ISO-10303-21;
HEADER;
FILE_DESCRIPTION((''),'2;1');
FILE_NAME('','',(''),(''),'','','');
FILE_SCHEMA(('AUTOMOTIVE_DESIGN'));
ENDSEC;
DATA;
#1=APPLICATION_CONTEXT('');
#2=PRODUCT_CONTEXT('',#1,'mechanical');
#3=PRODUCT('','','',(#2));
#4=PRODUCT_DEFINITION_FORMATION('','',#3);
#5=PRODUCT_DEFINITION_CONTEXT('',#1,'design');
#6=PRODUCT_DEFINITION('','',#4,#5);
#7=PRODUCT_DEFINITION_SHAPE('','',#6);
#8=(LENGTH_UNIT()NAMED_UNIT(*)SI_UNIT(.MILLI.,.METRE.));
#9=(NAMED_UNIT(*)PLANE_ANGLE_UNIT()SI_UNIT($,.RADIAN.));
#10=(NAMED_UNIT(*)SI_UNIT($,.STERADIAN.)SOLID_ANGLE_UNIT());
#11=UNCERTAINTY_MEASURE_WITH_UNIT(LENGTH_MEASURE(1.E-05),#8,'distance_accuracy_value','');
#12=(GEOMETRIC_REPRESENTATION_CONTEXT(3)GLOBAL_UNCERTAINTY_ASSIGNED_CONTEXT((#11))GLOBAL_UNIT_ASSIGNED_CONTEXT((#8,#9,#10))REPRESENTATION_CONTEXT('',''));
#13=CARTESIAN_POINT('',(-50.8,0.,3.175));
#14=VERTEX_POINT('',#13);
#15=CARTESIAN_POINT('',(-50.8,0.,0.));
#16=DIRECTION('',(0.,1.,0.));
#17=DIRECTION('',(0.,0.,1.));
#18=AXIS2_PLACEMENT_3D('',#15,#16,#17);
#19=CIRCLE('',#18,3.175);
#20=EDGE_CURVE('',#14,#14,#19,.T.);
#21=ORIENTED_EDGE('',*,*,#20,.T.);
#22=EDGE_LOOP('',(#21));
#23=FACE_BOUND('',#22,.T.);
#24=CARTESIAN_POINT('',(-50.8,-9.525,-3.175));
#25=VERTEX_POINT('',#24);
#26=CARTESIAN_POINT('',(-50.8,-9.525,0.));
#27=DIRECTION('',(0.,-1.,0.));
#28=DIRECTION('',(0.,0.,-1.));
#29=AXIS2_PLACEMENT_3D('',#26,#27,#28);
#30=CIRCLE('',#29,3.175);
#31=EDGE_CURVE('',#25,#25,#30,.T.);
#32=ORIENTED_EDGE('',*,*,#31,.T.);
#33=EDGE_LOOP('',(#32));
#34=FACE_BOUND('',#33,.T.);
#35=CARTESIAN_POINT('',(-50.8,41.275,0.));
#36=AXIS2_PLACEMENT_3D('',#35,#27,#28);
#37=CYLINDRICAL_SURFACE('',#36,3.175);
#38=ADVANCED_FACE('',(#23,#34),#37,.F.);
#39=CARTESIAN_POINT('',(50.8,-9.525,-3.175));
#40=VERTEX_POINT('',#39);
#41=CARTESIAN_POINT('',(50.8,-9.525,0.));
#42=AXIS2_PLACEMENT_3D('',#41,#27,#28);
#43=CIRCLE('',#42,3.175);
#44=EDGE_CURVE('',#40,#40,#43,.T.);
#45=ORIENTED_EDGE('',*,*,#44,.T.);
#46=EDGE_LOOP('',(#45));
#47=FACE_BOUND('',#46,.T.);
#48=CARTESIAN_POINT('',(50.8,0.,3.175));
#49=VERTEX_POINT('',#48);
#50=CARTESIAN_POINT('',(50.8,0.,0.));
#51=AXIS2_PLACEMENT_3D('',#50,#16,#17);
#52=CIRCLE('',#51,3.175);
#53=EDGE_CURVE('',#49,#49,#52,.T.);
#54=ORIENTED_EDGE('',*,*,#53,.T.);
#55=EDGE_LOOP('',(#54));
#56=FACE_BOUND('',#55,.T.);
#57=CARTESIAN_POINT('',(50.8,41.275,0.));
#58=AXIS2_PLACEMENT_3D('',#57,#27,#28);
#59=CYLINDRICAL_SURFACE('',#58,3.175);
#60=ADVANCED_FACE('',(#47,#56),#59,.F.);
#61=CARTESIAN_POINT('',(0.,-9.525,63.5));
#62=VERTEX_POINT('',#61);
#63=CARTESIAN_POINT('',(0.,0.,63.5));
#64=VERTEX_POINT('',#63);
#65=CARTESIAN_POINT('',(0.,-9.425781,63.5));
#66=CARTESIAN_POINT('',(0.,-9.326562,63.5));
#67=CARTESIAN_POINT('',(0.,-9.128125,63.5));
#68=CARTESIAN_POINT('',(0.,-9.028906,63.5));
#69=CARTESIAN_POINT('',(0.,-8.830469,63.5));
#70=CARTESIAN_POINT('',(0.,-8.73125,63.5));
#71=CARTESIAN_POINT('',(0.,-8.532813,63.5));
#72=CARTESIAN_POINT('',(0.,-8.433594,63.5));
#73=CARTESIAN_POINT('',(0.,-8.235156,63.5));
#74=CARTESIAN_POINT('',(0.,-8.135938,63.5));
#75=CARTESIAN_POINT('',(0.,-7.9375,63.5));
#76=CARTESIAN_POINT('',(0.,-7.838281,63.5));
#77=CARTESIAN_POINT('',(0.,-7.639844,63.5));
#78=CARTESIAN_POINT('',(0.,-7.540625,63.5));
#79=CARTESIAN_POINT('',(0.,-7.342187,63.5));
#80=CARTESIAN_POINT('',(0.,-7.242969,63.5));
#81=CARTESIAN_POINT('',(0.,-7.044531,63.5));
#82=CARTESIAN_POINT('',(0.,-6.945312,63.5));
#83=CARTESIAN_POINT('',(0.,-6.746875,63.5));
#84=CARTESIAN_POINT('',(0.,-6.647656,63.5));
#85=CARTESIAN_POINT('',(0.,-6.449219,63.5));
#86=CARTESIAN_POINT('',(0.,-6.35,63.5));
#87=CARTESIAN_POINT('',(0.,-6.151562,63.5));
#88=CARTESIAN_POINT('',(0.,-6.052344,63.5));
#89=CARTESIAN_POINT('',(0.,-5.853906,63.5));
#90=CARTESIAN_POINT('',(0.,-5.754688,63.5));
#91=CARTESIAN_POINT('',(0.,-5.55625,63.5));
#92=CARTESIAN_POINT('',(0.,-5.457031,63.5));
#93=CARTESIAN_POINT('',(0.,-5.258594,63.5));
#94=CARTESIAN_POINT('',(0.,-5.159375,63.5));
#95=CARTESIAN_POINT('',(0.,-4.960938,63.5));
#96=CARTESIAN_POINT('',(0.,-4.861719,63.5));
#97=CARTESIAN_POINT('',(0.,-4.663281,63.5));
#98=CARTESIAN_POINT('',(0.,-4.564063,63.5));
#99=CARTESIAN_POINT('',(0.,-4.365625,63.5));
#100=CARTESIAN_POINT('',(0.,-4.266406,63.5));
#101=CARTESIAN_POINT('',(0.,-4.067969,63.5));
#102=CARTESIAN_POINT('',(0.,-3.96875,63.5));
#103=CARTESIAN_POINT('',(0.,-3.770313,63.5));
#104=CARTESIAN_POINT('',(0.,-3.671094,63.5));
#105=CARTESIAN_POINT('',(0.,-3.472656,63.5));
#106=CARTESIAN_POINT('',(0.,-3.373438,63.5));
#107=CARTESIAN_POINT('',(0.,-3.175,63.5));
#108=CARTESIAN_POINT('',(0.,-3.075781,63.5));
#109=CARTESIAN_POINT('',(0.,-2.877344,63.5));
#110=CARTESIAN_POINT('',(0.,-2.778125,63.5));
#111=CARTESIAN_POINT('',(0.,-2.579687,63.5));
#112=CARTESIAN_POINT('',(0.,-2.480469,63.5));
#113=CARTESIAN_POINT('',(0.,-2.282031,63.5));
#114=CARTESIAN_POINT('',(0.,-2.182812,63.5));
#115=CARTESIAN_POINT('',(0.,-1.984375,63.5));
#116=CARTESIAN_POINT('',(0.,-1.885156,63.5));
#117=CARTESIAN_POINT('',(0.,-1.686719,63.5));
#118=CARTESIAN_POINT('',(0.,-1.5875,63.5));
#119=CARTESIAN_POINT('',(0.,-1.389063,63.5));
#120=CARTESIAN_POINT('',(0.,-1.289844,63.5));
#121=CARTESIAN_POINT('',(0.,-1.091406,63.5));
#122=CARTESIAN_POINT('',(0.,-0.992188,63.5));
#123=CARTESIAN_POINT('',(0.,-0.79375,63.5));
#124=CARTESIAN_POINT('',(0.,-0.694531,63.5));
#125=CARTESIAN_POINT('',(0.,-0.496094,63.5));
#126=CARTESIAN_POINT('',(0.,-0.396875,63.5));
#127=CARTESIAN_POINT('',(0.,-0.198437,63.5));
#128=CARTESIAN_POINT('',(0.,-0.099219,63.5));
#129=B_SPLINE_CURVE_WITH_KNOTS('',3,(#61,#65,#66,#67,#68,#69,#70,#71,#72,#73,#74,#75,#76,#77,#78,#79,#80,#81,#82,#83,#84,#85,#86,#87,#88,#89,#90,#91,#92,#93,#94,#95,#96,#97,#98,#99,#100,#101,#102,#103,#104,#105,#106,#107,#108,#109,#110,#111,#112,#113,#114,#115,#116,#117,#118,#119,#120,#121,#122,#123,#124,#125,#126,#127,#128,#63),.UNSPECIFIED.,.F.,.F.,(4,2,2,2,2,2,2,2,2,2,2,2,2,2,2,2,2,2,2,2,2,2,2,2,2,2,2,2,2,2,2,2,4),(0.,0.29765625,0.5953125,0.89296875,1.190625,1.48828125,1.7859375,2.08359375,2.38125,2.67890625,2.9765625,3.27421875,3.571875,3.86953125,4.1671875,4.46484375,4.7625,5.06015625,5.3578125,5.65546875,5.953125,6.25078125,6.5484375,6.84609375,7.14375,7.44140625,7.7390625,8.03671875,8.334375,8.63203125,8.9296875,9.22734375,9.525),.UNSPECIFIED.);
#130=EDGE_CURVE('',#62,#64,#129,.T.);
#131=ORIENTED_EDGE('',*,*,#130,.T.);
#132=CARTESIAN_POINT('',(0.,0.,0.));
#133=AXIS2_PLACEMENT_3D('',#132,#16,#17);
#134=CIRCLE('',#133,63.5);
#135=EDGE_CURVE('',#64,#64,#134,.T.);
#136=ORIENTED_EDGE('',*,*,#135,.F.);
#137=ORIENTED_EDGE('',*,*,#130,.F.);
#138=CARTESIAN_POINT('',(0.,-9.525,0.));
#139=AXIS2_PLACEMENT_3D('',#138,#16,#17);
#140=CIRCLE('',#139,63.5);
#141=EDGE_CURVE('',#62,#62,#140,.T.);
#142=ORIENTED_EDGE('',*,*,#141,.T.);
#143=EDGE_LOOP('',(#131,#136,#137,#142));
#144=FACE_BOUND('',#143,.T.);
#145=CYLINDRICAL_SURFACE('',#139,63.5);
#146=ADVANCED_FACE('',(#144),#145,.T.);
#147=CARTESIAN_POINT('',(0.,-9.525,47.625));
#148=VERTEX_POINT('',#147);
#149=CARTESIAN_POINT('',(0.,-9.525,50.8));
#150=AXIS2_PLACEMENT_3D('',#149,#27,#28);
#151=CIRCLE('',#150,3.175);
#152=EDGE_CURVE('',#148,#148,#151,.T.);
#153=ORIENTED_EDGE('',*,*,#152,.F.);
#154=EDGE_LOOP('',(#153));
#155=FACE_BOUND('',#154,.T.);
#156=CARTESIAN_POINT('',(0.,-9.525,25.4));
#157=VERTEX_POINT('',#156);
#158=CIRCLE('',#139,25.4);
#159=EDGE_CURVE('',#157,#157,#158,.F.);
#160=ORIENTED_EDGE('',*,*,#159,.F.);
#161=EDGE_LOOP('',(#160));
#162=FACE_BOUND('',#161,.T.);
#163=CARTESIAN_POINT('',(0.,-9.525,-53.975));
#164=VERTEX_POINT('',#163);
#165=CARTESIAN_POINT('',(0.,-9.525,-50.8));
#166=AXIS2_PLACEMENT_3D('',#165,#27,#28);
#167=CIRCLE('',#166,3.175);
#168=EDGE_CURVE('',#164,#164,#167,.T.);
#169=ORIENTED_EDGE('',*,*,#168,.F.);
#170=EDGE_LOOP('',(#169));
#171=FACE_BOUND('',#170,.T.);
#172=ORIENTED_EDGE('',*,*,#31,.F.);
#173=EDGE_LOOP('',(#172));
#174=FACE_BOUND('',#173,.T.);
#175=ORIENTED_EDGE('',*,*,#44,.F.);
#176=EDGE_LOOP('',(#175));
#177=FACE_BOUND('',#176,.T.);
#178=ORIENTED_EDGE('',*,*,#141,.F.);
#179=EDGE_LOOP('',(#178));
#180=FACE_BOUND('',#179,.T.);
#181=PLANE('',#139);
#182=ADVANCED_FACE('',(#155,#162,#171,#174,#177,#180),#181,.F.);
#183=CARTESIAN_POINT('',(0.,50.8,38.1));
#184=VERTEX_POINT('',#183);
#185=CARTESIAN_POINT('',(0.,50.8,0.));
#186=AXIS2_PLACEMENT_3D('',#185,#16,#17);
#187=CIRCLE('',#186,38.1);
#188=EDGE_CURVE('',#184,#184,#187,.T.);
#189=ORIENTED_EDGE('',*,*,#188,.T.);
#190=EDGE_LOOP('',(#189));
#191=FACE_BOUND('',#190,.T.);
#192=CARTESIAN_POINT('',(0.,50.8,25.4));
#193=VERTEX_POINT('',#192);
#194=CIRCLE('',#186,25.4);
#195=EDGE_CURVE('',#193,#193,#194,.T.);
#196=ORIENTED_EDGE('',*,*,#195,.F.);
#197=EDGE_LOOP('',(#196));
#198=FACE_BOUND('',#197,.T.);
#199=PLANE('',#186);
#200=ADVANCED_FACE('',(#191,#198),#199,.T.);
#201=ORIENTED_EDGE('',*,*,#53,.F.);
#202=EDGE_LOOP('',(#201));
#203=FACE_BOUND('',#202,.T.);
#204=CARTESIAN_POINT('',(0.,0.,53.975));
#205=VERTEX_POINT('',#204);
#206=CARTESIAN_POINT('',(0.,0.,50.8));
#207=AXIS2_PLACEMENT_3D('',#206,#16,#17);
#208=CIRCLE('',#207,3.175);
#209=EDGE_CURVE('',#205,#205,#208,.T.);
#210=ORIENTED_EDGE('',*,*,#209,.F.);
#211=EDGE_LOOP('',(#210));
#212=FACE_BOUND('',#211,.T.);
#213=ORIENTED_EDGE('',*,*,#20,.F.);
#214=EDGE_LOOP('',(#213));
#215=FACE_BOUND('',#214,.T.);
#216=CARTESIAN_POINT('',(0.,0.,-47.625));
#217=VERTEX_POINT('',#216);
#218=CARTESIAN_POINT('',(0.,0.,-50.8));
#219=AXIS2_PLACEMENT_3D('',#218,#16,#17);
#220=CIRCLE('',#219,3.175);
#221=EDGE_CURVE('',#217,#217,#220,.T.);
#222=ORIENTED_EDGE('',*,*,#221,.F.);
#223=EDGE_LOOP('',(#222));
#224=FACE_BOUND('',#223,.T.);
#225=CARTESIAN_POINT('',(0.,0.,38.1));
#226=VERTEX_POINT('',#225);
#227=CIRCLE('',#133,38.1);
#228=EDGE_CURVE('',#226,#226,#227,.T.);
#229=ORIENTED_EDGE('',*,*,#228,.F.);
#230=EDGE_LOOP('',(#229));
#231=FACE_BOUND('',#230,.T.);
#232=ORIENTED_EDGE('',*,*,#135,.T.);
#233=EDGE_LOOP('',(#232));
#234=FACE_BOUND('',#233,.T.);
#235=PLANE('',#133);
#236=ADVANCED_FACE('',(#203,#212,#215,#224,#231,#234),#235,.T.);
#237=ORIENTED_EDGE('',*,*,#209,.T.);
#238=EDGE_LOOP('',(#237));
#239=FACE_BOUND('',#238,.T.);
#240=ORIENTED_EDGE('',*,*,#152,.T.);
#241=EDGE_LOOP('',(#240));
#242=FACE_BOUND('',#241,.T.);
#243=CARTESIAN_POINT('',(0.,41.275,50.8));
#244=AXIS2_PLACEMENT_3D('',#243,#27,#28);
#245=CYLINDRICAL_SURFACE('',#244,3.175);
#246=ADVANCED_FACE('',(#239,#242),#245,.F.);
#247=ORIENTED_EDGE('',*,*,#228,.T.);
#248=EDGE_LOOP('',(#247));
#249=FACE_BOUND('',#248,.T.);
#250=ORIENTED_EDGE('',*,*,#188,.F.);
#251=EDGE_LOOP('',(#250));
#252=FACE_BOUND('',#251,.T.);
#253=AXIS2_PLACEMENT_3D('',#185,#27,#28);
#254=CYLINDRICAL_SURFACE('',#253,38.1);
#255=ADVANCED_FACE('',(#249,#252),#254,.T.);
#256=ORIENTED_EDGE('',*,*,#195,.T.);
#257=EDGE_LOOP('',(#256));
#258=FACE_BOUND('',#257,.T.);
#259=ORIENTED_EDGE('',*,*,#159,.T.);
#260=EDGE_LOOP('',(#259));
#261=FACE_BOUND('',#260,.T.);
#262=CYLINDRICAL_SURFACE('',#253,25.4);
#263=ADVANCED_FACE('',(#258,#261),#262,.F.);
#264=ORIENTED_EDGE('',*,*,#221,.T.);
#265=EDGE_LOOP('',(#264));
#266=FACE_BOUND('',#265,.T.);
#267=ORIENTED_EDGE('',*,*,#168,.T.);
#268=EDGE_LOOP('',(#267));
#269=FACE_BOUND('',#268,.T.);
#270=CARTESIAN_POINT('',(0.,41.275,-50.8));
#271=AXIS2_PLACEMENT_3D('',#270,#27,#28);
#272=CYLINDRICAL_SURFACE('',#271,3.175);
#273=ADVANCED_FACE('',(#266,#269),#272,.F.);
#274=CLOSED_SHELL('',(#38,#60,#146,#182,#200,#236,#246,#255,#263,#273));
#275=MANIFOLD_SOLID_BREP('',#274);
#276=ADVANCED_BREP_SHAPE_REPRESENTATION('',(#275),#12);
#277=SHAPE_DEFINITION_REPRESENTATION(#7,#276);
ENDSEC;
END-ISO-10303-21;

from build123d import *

# Parameters (mm, degrees)
SKETCH2_R               = 63.5
BOSS_EXTRUDE1_DEPTH     = 9.525
SKETCH2_3_R             = 38.1
BOSS_EXTRUDE2_DEPTH     = 50.8
CUT_EXTRUDE1_DEPTH      = 50.8
CUT_EXTRUDE1_DEPTH_BACK = 50.8
SKETCH2_4_R             = 25.4
SKETCH3_R               = 3.175
CUT_EXTRUDE2_DEPTH      = 50.8


with BuildPart() as part:
    # Sketch2 → Boss-Extrude1 (new body)
    with BuildSketch(Plane(origin=(0, 0, 0), x_dir=(1, 0, 0), z_dir=(0, 1, 0))):
        Circle(SKETCH2_R)
    extrude(amount=-BOSS_EXTRUDE1_DEPTH)

    # Sketch2<3> → Boss-Extrude2 (add)
    with BuildSketch(Plane(origin=(0, 0, 0), x_dir=(1, 0, 0), z_dir=(0, 1, 0))):
        Circle(SKETCH2_3_R)
    extrude(amount=BOSS_EXTRUDE2_DEPTH)

    # Sketch2<4> → Cut-Extrude1 (cut, two sides: drawn at the far end of the back side and taken through both)
    with BuildSketch(Plane(origin=(0, 0, 0), x_dir=(1, 0, 0), z_dir=(0, 1, 0)).offset(-CUT_EXTRUDE1_DEPTH_BACK)):
        Circle(SKETCH2_4_R)
    extrude(amount=CUT_EXTRUDE1_DEPTH + CUT_EXTRUDE1_DEPTH_BACK, mode=Mode.SUBTRACT)

    # Sketch3 → Cut-Extrude2 (cut)
    with BuildSketch(Plane(origin=(0, -9.525, 0), x_dir=(-1, 0, 0), z_dir=(0, -1, 0))):
        with Locations((0, -50.8)):
            Circle(SKETCH3_R)
        with Locations((-50.8, 0)):
            Circle(SKETCH3_R)
        with Locations((0, 50.8)):
            Circle(SKETCH3_R)
        with Locations((50.8, 0)):
            Circle(SKETCH3_R)
    extrude(amount=-CUT_EXTRUDE2_DEPTH, mode=Mode.SUBTRACT)


solid = part.part
